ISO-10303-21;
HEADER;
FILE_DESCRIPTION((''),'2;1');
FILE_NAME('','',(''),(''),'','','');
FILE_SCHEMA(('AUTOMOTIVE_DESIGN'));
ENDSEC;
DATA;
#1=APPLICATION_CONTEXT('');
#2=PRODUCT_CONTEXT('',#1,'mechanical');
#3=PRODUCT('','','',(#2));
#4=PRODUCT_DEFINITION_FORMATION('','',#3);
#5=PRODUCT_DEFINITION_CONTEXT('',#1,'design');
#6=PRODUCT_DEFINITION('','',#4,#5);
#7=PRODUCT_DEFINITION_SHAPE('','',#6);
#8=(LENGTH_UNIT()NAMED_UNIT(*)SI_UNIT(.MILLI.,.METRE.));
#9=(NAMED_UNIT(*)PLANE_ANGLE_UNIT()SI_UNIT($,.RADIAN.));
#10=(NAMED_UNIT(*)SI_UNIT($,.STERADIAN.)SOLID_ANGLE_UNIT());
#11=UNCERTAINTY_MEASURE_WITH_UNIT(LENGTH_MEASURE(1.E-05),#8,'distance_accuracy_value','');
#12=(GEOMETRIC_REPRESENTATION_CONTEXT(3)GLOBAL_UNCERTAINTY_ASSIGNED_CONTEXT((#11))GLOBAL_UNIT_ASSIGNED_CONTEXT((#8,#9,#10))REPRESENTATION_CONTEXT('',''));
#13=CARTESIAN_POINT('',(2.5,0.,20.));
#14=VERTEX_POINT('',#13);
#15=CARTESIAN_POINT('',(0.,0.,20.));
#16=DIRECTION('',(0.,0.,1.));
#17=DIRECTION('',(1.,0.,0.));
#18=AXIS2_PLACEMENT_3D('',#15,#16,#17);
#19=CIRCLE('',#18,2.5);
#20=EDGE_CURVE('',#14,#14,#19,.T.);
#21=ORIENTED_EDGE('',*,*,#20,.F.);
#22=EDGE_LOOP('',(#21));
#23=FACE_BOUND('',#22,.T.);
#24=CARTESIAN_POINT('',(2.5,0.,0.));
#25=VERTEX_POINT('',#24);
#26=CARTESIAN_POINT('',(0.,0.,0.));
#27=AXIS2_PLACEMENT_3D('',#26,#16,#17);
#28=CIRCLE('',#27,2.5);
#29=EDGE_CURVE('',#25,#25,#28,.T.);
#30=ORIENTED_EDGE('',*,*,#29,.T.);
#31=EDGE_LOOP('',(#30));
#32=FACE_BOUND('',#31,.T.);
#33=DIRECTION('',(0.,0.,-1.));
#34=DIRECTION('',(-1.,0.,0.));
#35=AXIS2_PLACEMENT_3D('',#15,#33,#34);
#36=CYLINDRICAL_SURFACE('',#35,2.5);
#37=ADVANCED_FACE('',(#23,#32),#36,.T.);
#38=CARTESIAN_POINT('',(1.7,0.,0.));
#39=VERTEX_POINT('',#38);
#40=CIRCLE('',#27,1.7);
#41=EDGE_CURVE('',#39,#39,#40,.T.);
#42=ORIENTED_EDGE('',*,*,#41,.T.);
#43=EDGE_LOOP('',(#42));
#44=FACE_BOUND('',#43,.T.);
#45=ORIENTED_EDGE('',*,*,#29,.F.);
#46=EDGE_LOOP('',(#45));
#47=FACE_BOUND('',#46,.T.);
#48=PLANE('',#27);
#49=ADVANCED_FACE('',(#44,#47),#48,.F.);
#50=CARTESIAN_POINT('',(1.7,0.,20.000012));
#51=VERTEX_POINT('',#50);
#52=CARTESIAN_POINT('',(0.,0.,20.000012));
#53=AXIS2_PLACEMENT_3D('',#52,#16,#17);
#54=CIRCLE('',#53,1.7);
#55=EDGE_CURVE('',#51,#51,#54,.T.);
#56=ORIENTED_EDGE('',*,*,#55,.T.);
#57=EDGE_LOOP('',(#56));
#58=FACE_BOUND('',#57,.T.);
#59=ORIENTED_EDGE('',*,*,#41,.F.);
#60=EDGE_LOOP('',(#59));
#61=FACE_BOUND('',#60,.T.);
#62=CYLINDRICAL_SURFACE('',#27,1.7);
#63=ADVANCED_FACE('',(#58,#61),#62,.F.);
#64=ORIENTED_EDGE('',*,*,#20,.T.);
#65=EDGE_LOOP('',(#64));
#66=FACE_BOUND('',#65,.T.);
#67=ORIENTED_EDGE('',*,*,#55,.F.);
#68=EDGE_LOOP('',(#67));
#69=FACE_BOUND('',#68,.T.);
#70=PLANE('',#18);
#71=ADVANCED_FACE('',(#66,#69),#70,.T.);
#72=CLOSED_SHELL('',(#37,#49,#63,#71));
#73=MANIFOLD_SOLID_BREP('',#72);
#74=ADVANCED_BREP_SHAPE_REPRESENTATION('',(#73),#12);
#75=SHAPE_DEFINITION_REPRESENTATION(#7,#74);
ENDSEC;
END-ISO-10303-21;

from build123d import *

# Parameters (mm, degrees)
SKETCH1_R               = 2.5
BOSS_EXTRUDE1_DEPTH     = 20
CUT_EXTRUDE1_DEPTH      = 21.310096012
CUT_EXTRUDE1_DEPTH_BACK = 21.310096012
SKETCH2_R               = 1.7


with BuildPart() as part:
    # Sketch1 → Boss-Extrude1 (new body)
    with BuildSketch(Plane(origin=(0, 0, 0), x_dir=(0, 1, 0), z_dir=(0, 0, 1))):
        with Locations(Location((0, 0, 0), (0, 0, 270))):
            Circle(SKETCH1_R)
    extrude(amount=BOSS_EXTRUDE1_DEPTH)

    # Sketch2 → Cut-Extrude1 (cut, two sides: drawn at the far end of the back side and taken through both)
    with BuildSketch(Plane.XY.offset(20).offset(-CUT_EXTRUDE1_DEPTH_BACK)):
        Circle(SKETCH2_R)
    extrude(amount=CUT_EXTRUDE1_DEPTH + CUT_EXTRUDE1_DEPTH_BACK, mode=Mode.SUBTRACT)


solid = part.part
